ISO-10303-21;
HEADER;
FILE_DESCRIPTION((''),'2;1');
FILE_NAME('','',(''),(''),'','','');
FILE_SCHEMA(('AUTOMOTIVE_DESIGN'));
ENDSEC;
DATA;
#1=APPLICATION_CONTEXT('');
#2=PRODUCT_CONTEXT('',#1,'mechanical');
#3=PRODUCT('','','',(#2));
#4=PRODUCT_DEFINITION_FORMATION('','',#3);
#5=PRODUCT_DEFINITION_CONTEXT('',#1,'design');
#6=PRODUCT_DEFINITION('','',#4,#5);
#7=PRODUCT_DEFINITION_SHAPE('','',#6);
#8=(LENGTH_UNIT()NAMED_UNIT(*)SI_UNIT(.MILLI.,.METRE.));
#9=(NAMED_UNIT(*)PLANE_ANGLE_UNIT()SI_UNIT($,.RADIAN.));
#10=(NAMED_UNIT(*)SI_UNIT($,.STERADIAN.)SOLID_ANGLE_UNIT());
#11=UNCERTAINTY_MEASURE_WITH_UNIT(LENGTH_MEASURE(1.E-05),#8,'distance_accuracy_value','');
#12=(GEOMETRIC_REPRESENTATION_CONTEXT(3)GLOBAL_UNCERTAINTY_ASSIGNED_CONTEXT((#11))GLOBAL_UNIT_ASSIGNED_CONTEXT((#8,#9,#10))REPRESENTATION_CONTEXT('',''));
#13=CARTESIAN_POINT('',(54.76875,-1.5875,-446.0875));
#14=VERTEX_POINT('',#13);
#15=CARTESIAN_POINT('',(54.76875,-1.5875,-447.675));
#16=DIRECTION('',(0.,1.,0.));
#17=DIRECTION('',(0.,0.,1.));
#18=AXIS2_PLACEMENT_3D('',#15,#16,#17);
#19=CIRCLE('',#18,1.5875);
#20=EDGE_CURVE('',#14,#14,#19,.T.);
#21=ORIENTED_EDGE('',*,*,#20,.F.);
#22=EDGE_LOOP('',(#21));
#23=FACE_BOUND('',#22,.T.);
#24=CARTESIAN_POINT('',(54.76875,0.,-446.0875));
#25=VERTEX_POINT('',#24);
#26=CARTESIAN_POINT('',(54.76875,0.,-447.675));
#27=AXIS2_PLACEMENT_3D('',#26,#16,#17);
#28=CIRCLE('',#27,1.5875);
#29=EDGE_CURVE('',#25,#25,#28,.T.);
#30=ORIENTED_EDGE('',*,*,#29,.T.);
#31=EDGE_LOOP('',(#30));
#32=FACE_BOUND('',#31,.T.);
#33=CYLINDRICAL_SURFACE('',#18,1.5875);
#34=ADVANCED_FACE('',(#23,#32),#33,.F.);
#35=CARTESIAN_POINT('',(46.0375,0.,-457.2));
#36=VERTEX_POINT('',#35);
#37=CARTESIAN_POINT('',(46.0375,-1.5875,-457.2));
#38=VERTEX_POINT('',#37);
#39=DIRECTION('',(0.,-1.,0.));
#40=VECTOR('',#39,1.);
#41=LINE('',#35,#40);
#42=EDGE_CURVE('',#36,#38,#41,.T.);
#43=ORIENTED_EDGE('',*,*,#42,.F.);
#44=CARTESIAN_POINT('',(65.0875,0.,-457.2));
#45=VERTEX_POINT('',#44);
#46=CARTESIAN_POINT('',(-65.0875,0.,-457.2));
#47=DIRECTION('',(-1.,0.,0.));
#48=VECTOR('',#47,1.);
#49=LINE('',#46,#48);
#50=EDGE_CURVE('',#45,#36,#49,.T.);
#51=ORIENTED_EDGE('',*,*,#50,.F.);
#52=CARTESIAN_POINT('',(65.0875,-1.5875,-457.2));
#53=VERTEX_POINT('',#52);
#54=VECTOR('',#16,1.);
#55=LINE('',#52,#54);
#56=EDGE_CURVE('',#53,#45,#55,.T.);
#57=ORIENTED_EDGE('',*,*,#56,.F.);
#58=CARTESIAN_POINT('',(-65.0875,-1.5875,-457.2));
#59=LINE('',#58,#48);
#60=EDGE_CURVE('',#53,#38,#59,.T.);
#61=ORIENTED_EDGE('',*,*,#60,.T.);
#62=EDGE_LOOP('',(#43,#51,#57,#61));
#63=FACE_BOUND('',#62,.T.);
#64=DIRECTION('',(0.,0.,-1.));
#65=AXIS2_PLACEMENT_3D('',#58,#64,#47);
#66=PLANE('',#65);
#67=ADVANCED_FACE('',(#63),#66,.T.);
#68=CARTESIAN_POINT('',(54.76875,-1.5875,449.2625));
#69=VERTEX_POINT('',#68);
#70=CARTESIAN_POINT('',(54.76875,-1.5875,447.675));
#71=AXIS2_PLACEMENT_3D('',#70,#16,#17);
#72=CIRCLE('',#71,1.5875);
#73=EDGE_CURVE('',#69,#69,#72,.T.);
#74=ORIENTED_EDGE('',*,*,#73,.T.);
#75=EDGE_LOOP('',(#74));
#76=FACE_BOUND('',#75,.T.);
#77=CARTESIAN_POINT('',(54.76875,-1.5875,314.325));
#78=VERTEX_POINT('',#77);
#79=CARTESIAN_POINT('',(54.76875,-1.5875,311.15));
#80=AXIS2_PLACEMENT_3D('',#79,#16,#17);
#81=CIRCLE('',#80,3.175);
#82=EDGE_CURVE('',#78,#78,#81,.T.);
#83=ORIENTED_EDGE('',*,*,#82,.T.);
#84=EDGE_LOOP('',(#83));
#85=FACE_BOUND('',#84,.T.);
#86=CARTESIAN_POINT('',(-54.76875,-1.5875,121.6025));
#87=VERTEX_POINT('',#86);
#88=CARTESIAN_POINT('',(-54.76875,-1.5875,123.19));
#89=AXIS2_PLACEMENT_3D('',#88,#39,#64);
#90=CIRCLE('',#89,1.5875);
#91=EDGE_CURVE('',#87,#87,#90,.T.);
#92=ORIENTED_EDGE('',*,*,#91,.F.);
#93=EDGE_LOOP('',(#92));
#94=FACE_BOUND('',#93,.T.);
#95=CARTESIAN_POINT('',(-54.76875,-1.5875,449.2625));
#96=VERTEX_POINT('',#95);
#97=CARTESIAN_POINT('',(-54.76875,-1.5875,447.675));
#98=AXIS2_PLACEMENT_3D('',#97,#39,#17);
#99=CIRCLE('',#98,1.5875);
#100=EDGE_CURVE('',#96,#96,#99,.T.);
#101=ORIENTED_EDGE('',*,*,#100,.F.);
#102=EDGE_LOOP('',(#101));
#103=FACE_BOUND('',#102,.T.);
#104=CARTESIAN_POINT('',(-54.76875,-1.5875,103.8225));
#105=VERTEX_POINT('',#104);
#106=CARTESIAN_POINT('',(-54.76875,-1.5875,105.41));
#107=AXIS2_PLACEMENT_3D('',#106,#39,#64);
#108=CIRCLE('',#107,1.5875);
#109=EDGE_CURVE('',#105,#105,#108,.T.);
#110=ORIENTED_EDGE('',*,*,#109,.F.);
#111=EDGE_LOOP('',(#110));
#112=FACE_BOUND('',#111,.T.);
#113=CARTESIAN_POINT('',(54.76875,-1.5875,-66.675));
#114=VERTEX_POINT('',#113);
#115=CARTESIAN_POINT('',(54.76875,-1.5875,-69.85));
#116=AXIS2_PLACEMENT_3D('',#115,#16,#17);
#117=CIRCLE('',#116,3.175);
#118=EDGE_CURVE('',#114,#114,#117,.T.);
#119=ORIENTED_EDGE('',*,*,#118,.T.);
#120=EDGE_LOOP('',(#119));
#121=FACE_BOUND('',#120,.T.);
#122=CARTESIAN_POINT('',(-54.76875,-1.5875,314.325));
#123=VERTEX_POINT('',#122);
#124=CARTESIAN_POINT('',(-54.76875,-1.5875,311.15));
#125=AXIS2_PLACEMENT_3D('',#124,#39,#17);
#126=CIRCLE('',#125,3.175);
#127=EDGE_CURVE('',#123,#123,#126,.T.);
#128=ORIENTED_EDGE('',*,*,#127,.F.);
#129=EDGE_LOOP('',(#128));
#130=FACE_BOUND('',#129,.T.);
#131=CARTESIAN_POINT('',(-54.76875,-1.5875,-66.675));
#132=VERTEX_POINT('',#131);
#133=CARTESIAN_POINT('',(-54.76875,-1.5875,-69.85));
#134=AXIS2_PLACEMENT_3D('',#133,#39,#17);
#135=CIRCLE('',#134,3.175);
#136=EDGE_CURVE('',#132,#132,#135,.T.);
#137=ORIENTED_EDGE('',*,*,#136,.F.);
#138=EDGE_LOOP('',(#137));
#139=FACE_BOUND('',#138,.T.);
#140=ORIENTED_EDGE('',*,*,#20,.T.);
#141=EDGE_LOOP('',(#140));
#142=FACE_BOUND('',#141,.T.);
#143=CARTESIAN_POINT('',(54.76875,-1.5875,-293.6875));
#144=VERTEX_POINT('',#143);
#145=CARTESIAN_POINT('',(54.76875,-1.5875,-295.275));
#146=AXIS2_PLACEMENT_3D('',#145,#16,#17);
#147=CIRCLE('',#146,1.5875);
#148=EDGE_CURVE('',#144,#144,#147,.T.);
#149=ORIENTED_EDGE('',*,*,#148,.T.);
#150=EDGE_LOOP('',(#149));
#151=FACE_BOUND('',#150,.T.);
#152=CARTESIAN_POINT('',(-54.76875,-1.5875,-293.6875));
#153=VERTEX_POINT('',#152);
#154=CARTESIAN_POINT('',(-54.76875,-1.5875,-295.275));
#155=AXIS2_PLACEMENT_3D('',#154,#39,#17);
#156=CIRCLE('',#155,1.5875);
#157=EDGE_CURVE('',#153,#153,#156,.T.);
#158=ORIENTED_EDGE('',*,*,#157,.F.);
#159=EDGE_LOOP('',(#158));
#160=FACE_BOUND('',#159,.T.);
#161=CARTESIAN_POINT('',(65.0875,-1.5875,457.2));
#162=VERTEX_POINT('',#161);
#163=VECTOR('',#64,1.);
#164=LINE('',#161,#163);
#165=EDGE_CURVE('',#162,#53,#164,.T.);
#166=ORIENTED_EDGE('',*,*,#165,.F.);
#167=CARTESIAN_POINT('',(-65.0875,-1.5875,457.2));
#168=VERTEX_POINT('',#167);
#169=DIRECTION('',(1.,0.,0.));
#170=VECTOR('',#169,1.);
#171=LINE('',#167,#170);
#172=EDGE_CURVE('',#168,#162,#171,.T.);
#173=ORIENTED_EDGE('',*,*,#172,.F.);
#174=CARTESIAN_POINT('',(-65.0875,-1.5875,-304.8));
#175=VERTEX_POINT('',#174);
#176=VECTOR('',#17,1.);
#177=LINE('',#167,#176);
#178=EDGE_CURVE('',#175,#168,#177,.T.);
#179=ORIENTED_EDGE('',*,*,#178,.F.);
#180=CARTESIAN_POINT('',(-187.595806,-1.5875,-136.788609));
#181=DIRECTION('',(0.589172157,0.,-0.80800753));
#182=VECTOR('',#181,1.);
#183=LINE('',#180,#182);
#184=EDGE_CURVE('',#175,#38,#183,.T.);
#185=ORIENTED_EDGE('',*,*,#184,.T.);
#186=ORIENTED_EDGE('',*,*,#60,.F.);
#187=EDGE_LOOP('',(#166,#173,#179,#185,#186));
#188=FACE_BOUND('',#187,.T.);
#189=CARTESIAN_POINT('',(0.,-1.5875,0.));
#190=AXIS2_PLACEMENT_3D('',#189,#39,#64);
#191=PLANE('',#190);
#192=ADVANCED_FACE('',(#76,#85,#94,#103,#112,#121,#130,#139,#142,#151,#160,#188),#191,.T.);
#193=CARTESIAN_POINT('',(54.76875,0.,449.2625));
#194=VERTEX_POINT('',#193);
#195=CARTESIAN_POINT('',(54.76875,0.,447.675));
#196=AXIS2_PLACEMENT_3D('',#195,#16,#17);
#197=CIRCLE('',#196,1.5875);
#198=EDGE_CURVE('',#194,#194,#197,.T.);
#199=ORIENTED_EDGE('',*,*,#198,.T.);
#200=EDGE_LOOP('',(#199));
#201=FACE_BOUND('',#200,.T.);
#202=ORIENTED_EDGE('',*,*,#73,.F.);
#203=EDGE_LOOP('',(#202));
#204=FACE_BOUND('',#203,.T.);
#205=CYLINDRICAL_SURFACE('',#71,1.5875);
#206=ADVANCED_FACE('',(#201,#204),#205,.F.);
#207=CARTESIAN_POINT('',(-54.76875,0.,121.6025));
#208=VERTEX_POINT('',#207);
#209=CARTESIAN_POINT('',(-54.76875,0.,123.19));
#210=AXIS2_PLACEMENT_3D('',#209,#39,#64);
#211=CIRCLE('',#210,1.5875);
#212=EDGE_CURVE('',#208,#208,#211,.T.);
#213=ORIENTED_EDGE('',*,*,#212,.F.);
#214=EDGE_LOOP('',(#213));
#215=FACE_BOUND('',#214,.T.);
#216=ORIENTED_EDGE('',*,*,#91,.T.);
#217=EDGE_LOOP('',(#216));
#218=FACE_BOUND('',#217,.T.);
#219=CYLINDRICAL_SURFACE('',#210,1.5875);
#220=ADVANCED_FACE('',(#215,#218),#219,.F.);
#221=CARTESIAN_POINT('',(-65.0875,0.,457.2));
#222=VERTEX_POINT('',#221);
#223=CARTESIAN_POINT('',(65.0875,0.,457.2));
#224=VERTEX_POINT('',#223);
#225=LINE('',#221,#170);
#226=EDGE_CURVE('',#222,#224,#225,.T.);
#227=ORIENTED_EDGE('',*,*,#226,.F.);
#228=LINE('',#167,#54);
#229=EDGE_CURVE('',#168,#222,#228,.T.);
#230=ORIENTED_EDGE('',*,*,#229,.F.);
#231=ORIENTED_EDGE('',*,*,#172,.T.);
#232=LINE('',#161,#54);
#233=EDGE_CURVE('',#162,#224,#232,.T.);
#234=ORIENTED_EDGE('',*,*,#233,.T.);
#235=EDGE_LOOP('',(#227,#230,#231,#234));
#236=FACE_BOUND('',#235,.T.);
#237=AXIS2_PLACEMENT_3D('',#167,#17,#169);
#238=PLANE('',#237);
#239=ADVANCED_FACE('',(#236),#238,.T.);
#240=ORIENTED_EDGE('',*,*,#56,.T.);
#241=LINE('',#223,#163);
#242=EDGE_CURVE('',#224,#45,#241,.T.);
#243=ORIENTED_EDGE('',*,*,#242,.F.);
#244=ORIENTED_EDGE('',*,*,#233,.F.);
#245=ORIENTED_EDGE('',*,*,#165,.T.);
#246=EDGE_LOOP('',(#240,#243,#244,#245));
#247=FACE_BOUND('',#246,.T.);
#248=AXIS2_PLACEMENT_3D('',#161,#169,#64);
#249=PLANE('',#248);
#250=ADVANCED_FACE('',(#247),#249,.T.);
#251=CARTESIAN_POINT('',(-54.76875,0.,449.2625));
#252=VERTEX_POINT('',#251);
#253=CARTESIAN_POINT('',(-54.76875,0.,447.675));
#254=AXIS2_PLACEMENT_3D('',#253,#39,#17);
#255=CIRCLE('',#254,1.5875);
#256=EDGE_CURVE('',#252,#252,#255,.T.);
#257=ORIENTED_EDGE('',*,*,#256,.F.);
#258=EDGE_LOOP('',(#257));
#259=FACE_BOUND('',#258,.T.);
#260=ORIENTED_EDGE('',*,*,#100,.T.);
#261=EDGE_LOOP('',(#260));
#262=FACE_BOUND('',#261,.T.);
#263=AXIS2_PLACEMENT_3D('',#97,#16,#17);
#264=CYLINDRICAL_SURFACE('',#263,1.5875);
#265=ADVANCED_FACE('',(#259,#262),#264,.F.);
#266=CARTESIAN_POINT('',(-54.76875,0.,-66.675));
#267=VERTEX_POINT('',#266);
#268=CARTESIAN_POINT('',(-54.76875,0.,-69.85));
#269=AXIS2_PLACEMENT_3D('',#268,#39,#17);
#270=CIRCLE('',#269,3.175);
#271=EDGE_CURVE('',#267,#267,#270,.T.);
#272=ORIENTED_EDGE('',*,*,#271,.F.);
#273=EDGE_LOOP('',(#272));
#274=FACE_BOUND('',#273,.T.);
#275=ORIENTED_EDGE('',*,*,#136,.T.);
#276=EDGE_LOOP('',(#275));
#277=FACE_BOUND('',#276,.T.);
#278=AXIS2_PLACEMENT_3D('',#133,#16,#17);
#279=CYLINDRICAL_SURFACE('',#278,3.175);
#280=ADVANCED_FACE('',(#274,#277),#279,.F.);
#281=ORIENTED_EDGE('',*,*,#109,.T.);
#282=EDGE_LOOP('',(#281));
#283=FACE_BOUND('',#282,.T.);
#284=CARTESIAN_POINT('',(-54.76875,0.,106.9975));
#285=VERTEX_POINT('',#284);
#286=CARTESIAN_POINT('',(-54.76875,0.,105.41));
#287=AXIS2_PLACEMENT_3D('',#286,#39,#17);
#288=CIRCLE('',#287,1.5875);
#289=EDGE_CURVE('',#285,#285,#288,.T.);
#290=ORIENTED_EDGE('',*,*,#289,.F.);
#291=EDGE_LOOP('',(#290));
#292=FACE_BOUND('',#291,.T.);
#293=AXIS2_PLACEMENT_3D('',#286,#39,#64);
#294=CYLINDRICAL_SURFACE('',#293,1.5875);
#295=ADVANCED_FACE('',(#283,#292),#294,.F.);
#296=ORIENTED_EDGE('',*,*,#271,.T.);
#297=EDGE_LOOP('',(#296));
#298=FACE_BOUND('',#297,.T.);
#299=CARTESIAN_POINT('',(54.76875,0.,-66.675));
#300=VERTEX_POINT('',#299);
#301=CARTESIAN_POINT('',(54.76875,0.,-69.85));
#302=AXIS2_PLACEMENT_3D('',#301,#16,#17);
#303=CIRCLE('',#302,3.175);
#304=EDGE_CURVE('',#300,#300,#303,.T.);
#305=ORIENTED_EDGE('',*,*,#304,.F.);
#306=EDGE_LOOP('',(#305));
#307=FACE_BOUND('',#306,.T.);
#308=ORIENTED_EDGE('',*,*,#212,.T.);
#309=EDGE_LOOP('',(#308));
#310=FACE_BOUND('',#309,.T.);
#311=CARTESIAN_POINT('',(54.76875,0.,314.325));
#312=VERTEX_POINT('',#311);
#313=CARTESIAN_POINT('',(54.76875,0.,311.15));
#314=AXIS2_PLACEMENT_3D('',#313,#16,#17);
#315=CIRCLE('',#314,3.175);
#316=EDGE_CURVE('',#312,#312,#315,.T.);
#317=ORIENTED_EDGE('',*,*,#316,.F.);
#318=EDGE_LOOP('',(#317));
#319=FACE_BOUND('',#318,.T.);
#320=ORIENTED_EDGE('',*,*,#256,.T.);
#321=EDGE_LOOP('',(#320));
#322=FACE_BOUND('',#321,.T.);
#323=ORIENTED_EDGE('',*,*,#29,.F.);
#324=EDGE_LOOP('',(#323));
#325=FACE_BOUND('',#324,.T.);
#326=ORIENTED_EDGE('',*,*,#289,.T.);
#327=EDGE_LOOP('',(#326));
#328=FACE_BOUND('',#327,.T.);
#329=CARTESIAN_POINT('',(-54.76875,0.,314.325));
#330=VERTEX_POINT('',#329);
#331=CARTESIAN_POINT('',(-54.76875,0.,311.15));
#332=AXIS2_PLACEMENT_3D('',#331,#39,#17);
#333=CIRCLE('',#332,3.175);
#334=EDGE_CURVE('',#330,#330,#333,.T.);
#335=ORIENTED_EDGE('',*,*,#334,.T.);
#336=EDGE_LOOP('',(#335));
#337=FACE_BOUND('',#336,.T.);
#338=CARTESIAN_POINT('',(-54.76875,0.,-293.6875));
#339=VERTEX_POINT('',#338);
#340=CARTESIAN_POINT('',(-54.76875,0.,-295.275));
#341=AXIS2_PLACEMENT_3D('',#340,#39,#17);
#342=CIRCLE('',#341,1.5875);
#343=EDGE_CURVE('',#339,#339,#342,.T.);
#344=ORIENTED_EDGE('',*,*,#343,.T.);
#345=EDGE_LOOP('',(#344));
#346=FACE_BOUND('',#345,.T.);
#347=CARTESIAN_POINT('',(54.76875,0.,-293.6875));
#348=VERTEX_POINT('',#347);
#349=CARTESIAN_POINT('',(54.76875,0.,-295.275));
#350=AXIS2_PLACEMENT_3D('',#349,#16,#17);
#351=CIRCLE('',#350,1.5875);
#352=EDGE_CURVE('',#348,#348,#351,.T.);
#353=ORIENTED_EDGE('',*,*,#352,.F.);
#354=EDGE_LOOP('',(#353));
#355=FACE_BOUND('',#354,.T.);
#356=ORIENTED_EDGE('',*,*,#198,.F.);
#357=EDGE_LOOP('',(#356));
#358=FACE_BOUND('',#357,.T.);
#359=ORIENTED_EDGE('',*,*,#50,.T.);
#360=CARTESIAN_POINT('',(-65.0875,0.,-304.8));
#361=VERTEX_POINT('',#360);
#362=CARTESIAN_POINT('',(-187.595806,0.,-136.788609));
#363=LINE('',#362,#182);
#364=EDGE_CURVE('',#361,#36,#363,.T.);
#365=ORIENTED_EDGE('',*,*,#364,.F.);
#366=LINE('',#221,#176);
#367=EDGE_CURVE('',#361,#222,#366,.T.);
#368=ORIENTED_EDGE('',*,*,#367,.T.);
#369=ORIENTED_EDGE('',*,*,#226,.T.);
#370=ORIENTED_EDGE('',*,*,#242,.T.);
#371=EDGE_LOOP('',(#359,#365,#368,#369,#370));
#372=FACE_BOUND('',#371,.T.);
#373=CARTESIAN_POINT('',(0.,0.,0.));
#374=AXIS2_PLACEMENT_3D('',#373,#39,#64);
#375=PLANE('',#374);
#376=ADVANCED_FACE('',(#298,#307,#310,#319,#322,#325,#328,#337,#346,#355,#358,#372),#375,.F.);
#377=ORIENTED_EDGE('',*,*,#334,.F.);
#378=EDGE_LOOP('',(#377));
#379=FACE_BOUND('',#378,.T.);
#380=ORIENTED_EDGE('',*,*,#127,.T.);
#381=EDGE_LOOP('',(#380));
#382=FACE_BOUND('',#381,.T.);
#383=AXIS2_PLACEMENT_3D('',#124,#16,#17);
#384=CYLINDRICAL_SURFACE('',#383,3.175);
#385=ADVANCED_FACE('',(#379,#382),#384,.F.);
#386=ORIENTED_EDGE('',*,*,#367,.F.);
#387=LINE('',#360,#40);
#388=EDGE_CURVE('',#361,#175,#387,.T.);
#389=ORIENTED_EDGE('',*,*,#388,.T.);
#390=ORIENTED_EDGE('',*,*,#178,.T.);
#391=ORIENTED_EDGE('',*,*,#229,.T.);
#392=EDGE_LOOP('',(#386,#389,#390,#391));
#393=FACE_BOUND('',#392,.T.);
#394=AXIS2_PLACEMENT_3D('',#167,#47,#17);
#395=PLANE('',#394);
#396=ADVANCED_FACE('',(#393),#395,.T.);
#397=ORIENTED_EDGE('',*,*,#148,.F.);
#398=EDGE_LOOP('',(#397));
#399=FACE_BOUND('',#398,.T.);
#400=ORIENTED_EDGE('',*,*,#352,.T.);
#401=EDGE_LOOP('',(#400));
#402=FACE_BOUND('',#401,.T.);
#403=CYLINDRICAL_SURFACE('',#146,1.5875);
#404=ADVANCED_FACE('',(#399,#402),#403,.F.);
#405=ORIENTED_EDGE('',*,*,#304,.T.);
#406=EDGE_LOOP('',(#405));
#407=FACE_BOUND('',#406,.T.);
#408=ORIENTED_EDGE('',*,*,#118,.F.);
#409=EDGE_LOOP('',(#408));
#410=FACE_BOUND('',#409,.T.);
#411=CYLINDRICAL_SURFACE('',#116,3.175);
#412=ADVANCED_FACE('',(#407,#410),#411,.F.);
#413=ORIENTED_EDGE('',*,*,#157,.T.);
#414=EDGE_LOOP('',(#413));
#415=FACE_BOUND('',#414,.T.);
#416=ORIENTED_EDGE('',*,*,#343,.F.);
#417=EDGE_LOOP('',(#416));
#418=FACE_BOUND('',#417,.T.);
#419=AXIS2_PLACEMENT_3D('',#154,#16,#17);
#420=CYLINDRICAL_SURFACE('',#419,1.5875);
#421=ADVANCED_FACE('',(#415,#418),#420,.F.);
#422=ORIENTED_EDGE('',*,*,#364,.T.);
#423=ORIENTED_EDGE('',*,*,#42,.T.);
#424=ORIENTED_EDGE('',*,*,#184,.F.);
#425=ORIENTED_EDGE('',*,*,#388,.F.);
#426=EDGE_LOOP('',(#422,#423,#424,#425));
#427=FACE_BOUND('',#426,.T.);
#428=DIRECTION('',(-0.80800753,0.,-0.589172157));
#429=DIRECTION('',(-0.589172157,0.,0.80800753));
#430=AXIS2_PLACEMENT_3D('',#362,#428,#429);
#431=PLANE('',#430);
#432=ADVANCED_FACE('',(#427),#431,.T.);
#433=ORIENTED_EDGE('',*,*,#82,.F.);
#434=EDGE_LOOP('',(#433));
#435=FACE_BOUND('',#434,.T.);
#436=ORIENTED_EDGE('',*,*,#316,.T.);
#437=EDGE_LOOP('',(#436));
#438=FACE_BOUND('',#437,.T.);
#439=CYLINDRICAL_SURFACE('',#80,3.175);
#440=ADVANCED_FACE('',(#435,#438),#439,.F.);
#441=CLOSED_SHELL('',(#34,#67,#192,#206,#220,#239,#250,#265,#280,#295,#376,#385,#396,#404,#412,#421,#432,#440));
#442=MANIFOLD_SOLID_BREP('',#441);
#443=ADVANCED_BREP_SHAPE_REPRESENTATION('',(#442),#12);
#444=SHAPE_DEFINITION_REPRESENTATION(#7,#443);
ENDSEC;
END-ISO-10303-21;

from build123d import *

# Parameters (mm, degrees)
SKETCH1_W                     = 130.175
SKETCH1_H                     = 914.4
BOSS_EXTRUDE1_DEPTH           = 1.5875
SKETCH2_R                     = 1.5875
SKETCH2_R_2                   = 3.175
CUT_EXTRUDE2_DEPTH            = 462.812454155
SKETCH3_R                     = 1.5875
CUT_EXTRUDE3_DEPTH            = 462.812454155
STRUTMOUNTINGHOLES_DEPTH      = 462.812454155
STRUTMOUNTINGHOLES_DEPTH_BACK = 462.812454155
SKETCH5_R                     = 1.5875


with BuildPart() as part:
    # Sketch1 → Boss-Extrude1 (new body)
    with BuildSketch(Plane(origin=(0, 0, 0), x_dir=(1, 0, 0), z_dir=(0, 1, 0))):
        Rectangle(SKETCH1_W, SKETCH1_H)
    extrude(amount=-BOSS_EXTRUDE1_DEPTH)

    # Sketch2 → Cut-Extrude2 (cut, through all)
    with BuildSketch(Plane(origin=(0, 0, 0), x_dir=(1, 0, 0), z_dir=(0, 1, 0))):
        with Locations(Location((54.76875, -447.675, 0), (0, 0, 270))):
            Circle(SKETCH2_R)
        with Locations(Location((54.76875, -311.15, 0), (0, 0, 270))):
            Circle(SKETCH2_R_2)
        with Locations(Location((54.76875, 447.675, 0), (0, 0, 270))):
            Circle(SKETCH2_R)
        with Locations(Location((54.76875, 69.85, 0), (0, 0, 270))):
            Circle(SKETCH2_R_2)
        with Locations(Location((54.76875, 295.275, 0), (0, 0, 270))):
            Circle(SKETCH2_R)
    cut_extrude2 = extrude(amount=-CUT_EXTRUDE2_DEPTH, mode=Mode.SUBTRACT)

    # Mirror2: Cut-Extrude2 across plane
    add(cut_extrude2.mirror(Plane.ZY), mode=Mode.SUBTRACT)

    # Sketch3 → Cut-Extrude3 (cut, through all)
    with BuildSketch(Plane.XZ.offset(1.5875)):
        Polygon((-65.0875, -457.2), (46.0375, -457.2), (-65.0875, -304.8), align=None)
        with Locations((-54.76875, -447.675)):
            Circle(SKETCH3_R, mode=Mode.SUBTRACT)
    extrude(amount=-CUT_EXTRUDE3_DEPTH, mode=Mode.SUBTRACT)

    # Sketch5 → StrutMountingHoles (cut, two sides: drawn at the far end of the back side and taken through both)
    with BuildSketch(Plane(origin=(0, -1.5875, 0), x_dir=(-1, 0, 0), z_dir=(0, -1, 0)).offset(-STRUTMOUNTINGHOLES_DEPTH_BACK)):
        with Locations(Location((54.76875, -123.19, 0), (0, 0, 90))):
            Circle(SKETCH5_R)
        with Locations(Location((54.76875, -105.41, 0), (0, 0, 90))):
            Circle(SKETCH5_R)
    extrude(amount=STRUTMOUNTINGHOLES_DEPTH + STRUTMOUNTINGHOLES_DEPTH_BACK, mode=Mode.SUBTRACT)


solid = part.part
